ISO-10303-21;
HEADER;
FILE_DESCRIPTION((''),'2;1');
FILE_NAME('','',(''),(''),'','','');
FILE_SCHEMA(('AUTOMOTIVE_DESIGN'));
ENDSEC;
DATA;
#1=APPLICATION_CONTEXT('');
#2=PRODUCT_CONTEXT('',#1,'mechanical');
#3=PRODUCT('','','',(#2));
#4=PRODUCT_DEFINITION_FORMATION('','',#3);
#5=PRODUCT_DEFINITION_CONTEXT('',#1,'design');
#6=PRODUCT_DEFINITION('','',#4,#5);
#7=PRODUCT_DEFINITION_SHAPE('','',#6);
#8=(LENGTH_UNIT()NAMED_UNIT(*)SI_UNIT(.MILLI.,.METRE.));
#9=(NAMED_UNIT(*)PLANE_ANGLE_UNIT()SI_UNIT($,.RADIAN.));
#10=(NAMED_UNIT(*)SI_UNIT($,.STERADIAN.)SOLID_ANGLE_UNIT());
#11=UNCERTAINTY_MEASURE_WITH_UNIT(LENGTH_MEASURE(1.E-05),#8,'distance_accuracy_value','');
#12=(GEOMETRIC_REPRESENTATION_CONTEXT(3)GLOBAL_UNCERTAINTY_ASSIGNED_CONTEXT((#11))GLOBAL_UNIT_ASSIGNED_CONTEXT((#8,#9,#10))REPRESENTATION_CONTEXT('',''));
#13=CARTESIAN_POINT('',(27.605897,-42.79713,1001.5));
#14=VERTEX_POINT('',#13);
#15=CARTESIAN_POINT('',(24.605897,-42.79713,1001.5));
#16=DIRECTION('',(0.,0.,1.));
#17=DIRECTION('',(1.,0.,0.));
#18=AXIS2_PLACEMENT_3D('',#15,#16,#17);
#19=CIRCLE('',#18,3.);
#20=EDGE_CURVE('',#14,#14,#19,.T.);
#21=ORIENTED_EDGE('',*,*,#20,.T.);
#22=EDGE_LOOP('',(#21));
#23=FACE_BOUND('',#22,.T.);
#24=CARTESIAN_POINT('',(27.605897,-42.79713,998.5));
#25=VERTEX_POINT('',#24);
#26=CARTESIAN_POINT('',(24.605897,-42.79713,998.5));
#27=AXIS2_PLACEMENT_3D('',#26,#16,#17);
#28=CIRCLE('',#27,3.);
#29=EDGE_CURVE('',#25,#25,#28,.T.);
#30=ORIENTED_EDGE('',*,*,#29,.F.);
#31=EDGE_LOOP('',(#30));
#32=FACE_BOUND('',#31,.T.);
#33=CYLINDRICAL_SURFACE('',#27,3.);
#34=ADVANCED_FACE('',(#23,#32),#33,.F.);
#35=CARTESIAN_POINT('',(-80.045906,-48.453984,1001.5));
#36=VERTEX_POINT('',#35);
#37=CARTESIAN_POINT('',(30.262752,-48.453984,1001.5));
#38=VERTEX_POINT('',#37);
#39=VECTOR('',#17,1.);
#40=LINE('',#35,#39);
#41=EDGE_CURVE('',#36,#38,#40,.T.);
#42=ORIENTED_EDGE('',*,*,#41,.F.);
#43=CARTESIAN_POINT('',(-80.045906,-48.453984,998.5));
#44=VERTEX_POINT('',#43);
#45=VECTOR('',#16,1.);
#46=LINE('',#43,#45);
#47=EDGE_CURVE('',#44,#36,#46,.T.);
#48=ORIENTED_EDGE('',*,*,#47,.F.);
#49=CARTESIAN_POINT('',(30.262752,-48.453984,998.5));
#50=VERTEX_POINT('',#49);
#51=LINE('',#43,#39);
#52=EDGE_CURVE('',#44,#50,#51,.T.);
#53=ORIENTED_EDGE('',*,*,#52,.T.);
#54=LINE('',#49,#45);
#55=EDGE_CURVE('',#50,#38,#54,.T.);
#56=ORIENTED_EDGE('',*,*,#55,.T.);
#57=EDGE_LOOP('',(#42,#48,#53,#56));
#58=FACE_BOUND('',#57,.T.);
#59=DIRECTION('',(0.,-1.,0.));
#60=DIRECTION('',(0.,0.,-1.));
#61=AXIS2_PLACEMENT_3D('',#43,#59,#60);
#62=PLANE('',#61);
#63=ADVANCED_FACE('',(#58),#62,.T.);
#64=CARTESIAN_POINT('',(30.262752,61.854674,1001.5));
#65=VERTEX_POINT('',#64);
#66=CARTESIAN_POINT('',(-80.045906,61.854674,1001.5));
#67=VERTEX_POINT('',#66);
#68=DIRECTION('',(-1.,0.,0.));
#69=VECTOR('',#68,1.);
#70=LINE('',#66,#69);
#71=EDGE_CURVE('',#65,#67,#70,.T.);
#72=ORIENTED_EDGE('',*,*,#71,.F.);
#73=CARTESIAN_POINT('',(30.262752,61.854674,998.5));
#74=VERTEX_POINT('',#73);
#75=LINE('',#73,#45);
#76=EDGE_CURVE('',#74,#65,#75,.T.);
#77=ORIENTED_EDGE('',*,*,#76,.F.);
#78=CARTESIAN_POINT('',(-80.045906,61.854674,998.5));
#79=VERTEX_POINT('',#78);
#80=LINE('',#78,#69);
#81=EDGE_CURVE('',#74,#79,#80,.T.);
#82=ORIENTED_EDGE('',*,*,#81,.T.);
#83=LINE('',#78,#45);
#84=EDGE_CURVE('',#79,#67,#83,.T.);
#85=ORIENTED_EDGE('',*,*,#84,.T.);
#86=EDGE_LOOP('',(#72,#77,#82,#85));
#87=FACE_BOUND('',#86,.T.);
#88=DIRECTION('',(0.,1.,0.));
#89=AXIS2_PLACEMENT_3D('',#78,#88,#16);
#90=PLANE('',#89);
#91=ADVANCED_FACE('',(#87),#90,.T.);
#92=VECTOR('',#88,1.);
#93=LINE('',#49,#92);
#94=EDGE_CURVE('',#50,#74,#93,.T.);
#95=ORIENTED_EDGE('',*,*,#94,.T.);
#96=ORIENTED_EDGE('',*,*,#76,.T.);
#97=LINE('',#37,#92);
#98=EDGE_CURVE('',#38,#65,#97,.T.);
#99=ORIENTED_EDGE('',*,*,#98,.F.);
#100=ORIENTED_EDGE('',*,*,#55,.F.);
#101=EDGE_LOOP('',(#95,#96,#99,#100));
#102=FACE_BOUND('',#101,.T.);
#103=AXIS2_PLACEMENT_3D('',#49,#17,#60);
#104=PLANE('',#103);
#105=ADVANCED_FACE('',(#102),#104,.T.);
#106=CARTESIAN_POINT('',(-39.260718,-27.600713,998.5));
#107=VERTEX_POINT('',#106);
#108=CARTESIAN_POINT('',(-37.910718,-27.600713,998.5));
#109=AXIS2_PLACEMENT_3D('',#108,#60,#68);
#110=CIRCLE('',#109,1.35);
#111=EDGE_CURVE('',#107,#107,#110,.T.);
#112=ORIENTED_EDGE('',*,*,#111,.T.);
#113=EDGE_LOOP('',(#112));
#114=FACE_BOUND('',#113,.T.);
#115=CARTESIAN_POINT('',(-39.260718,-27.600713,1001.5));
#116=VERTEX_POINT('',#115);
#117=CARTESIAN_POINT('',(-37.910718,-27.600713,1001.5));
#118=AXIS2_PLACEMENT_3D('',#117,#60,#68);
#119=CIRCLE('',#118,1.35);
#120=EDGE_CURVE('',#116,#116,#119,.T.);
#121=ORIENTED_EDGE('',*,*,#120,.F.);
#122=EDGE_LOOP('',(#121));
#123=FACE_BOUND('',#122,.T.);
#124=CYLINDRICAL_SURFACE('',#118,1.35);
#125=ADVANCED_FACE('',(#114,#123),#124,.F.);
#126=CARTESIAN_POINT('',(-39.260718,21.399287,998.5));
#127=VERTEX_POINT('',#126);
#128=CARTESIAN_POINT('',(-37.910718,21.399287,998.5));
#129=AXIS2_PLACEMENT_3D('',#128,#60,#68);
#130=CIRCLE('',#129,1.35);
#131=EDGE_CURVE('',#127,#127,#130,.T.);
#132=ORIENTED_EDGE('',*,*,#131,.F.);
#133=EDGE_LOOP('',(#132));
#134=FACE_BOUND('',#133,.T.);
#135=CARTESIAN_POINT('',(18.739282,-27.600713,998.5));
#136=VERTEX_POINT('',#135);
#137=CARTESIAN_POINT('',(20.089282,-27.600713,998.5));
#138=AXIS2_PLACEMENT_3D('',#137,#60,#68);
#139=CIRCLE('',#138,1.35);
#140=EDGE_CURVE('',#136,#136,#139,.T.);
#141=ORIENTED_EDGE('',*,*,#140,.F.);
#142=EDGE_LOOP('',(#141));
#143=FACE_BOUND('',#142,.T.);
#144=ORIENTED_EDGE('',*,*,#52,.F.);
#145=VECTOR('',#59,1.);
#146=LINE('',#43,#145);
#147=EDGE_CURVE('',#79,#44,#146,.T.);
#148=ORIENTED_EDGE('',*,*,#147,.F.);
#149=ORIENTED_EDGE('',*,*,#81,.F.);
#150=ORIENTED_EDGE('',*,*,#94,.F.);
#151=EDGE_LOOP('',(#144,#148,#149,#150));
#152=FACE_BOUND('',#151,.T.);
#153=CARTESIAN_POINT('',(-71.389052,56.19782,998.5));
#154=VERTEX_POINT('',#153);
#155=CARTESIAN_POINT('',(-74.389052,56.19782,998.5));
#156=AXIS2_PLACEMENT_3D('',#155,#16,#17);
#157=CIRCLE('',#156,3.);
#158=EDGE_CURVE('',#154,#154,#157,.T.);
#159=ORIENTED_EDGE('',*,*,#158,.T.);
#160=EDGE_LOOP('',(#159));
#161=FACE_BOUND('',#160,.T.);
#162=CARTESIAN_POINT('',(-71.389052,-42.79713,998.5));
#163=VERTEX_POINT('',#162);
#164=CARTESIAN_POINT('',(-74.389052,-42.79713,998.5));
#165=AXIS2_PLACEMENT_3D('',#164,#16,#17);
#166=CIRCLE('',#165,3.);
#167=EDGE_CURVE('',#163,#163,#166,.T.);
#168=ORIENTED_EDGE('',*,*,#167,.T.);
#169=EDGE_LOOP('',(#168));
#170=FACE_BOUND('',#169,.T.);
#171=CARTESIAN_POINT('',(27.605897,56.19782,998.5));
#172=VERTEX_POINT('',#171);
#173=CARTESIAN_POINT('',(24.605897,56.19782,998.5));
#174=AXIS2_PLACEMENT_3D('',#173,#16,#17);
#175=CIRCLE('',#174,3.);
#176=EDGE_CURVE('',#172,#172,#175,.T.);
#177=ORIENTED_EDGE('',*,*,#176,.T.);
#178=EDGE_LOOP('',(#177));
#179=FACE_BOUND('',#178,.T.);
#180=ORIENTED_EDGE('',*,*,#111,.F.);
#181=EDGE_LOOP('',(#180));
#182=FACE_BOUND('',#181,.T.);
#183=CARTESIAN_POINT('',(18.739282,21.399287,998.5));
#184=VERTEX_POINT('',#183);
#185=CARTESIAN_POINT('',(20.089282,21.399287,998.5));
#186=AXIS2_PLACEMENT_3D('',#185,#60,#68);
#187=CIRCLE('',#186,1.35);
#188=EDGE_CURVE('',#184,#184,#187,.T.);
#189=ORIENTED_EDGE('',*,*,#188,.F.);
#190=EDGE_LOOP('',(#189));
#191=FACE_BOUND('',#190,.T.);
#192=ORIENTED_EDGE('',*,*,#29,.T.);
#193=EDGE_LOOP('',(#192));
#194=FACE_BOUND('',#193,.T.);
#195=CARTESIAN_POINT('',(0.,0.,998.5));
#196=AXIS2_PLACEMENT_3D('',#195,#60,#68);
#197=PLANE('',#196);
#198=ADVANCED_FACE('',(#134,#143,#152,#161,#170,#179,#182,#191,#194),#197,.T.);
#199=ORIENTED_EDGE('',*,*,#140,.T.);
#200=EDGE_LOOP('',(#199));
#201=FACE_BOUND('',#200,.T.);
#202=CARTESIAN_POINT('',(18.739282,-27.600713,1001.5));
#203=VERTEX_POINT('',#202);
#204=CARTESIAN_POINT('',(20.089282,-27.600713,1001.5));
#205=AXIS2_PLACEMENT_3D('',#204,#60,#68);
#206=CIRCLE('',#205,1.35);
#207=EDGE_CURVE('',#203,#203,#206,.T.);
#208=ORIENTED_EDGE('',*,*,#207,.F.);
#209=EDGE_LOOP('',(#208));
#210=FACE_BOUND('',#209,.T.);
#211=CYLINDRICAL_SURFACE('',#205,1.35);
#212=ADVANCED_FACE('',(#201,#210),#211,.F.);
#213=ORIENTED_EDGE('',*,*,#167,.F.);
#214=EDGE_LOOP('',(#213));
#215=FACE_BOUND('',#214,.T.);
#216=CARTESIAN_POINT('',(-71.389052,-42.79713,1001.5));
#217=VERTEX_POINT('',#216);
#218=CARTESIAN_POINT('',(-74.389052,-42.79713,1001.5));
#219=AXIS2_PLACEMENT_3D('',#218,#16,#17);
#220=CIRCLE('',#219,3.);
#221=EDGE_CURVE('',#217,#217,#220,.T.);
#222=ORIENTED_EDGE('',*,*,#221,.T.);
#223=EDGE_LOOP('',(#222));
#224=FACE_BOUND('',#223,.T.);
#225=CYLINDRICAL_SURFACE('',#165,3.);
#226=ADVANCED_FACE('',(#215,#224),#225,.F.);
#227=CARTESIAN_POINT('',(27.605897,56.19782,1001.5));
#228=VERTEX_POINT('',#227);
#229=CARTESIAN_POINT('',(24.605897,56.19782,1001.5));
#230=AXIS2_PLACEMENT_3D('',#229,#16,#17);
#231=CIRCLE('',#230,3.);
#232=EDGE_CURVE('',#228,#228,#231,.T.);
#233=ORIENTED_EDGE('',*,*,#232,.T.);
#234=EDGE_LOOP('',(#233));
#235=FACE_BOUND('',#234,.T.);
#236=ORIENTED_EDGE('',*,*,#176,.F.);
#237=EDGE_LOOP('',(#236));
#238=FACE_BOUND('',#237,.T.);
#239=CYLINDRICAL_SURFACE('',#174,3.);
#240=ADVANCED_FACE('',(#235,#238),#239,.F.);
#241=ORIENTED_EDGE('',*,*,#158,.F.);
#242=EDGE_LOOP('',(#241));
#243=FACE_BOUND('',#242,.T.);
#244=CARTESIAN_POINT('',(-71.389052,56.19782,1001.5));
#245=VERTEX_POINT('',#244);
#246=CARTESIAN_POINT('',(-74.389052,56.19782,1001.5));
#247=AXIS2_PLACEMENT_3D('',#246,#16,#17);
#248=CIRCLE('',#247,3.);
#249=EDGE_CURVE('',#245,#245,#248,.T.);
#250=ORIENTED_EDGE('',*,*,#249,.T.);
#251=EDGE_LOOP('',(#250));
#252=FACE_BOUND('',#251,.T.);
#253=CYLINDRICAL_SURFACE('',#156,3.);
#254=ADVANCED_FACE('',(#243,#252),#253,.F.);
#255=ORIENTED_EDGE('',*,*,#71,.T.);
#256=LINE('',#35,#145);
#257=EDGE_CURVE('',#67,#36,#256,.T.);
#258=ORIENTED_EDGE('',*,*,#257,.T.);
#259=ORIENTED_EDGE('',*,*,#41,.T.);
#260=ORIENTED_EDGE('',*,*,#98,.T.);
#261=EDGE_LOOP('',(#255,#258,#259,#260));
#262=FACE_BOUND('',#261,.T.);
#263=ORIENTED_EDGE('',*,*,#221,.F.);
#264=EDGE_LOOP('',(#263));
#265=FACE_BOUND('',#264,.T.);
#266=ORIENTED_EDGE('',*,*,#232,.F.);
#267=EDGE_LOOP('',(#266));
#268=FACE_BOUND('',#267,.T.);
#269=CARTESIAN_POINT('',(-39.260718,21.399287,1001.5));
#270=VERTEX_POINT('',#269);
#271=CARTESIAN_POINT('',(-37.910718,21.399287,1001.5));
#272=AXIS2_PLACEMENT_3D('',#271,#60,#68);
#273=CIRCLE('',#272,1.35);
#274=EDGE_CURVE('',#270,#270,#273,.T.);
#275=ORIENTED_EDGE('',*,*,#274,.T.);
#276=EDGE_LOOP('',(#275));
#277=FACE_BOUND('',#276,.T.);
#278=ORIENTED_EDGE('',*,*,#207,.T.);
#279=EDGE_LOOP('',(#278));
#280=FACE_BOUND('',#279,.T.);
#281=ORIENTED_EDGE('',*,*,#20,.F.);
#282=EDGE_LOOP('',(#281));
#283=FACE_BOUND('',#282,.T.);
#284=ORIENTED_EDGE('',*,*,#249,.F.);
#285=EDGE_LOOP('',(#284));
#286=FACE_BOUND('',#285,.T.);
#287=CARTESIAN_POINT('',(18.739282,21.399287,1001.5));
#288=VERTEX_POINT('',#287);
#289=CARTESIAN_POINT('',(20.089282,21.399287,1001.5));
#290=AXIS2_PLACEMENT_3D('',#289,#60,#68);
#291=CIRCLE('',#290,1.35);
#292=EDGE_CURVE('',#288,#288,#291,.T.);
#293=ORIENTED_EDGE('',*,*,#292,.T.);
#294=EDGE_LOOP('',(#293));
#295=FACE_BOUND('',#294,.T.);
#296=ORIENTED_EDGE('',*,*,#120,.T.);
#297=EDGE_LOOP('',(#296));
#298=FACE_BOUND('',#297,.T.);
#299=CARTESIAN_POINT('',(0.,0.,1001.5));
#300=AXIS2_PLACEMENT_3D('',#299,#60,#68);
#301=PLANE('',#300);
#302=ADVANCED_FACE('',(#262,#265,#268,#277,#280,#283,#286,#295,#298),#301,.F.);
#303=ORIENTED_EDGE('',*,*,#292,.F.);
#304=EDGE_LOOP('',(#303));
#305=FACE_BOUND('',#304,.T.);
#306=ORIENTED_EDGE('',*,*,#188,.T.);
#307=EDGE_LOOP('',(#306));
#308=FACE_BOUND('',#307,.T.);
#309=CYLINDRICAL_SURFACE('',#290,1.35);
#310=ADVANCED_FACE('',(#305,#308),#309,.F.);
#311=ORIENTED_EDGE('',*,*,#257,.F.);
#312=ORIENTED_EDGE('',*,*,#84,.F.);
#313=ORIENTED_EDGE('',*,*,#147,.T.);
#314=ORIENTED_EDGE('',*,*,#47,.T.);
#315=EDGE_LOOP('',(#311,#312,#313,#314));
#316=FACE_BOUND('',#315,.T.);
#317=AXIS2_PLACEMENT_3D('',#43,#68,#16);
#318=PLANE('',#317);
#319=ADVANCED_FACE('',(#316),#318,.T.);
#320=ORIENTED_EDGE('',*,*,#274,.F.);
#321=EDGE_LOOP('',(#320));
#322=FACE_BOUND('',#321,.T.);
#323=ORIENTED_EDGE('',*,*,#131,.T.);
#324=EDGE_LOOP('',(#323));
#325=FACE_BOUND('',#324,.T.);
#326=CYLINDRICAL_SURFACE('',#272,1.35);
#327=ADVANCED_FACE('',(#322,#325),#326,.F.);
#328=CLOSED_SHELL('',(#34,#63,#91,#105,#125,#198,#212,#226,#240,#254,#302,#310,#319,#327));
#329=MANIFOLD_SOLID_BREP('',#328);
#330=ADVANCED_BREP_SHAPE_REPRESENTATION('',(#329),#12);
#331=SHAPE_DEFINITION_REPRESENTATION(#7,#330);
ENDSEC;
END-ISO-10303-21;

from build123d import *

# Parameters (mm, degrees)
CROQUIS1_W              = 110.308657865
CROQUIS1_H              = 110.308657865
CROQUIS1_R              = 3
SALIENTE_EXTRUIR1_DEPTH = 3
CROQUIS3_R              = 1.35
CORTAR_EXTRUIR1_DEPTH   = 4


with BuildPart() as part:
    # Croquis1 → Saliente-Extruir1 (new body)
    with BuildSketch(Plane.XY.offset(1001.5)):
        with Locations((-24.891577249, 6.700344828)):
            Rectangle(CROQUIS1_W, CROQUIS1_H)
        with Locations((-74.389051931, 56.197819511)):
            Circle(CROQUIS1_R, mode=Mode.SUBTRACT)
        with Locations((24.605897435, -42.797129855)):
            Circle(CROQUIS1_R, mode=Mode.SUBTRACT)
        with Locations((-74.389051931, -42.797129855)):
            Circle(CROQUIS1_R, mode=Mode.SUBTRACT)
        with Locations((24.605897435, 56.197819511)):
            Circle(CROQUIS1_R, mode=Mode.SUBTRACT)
    extrude(amount=-SALIENTE_EXTRUIR1_DEPTH)

    # Croquis3 → Cortar-Extruir1 (cut, through all)
    with BuildSketch(Plane(origin=(0, 0, 998.5), x_dir=(-1, 0, 0), z_dir=(0, 0, -1))):
        with Locations((37.910718234, 21.399287334)):
            Circle(CROQUIS3_R)
        with Locations((37.910718234, -27.600712666)):
            Circle(CROQUIS3_R)
        with Locations((-20.089281766, -27.600712666)):
            Circle(CROQUIS3_R)
        with Locations((-20.089281766, 21.399287334)):
            Circle(CROQUIS3_R)
    extrude(amount=-CORTAR_EXTRUIR1_DEPTH, mode=Mode.SUBTRACT)


solid = part.part
